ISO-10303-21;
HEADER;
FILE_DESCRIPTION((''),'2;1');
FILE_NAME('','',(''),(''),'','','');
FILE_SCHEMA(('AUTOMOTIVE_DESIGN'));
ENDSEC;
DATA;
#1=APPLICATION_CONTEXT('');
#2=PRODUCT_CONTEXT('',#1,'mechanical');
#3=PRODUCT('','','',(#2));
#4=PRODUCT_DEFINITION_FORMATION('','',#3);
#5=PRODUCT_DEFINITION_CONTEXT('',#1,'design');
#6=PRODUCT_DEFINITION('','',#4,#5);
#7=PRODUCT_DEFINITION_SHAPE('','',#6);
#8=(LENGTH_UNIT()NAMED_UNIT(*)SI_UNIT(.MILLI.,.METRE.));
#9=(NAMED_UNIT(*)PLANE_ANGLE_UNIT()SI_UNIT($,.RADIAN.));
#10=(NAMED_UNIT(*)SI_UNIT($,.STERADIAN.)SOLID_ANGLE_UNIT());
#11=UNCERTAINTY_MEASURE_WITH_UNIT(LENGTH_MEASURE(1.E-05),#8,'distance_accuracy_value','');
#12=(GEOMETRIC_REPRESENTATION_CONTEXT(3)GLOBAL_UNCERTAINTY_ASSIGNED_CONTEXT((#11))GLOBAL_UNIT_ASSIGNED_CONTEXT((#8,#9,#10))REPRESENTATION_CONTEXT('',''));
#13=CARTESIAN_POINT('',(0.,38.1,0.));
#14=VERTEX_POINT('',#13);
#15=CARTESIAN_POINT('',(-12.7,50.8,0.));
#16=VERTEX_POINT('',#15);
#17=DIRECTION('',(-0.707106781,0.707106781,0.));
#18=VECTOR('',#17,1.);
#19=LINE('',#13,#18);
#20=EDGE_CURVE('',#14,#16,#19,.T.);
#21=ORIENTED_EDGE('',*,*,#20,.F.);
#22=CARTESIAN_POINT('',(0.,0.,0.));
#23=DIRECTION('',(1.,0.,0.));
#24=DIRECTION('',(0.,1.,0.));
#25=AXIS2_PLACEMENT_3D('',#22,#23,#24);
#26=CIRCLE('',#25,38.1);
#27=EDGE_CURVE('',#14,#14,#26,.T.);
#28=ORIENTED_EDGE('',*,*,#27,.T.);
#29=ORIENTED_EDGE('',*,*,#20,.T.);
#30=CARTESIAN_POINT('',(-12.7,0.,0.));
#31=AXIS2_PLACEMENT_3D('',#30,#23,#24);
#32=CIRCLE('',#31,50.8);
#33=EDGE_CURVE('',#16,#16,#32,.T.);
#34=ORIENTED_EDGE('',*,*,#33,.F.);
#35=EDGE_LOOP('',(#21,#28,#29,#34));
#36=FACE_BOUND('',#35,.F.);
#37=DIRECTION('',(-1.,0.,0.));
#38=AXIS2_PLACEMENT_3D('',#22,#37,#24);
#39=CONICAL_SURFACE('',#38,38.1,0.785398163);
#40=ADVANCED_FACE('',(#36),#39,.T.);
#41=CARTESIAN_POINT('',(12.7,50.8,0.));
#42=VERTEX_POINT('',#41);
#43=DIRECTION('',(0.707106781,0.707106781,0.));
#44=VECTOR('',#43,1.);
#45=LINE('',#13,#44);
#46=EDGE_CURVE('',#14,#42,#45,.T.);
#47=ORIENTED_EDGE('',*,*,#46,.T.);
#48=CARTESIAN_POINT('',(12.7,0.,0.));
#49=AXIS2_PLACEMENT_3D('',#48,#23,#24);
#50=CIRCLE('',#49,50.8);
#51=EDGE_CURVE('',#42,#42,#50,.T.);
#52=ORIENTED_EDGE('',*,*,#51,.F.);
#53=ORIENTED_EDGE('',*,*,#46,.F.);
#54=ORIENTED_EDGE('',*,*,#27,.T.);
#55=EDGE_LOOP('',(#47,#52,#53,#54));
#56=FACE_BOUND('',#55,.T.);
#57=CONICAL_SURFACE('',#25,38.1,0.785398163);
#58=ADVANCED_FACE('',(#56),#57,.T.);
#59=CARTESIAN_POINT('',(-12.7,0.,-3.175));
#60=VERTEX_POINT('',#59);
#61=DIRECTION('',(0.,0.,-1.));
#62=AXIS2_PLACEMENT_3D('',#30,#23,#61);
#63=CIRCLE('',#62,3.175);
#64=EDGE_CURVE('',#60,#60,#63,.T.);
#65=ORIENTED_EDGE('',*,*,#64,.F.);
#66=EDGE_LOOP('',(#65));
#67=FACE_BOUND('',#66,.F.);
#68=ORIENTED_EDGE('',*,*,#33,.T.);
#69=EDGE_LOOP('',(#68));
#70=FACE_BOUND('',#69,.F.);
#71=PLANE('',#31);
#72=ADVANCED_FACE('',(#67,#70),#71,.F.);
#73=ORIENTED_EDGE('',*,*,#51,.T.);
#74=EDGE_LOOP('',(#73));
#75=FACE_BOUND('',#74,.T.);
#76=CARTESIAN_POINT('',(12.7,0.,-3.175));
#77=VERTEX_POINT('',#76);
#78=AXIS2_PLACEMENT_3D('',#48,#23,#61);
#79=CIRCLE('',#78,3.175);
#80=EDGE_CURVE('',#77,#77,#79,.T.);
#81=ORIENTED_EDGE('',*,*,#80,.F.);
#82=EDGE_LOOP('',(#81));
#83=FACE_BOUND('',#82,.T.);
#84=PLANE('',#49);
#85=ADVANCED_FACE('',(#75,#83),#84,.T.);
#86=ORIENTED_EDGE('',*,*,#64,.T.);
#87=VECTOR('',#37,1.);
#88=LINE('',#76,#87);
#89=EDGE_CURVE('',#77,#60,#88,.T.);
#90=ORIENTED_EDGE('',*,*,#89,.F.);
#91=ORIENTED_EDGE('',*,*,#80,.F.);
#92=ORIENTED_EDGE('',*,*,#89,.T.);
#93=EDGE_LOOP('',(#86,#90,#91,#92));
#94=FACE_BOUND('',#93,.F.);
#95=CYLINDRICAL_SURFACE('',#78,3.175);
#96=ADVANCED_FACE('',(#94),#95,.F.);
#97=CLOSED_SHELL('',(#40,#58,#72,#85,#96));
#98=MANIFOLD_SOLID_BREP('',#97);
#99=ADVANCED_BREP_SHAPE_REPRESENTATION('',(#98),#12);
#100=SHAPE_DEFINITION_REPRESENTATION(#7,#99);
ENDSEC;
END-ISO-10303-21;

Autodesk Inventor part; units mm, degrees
ref_plane "YZ Plane" through (0, 0, 0) normal (1, 0, 0) x (0, 1, 0)
ref_plane "XZ Plane" through (0, 0, 0) normal (0, 1, 0) x (-1, 0, 0)
ref_plane "XY Plane" through (0, 0, 0) normal (0, 0, 1) x (1, 0, 0)
sketch "Sketch2" plane through (0, 0, 0) normal (0, 0, 1) x (1, 0, 0)
  line L0 (0, 38.1) -> (-12.7, 50.8)
  line L1 (-12.7, 50.8) -> (-12.7, 0)
  line L2 (-12.7, 0) -> (0, 0)
  line L3 (0, 76.2) -> (0, 0) construction
  line L4 (0, 38.1) -> (12.7, 50.8)
  line L5 (12.7, 50.8) -> (12.7, 0)
  line L6 (12.7, 0) -> (0, 0)
  line L7 (-17.78, 0) -> (17.78, 0) projected
  point P0 (0.5244, 62.9756)
  point P1 (-0.5244, 62.9756)
  dimension "d0" = 45
  dimension "d1" = 50.8
  dimension "d2" = 12.7
revolve "Revolution1" add sketch "Sketch2" angle 360 about axis through (-10, 0, 0) along (1, 0, 0)
sketch "Sketch3" plane through (12.7, 0, 0) normal (1, 0, 0) x (0, 0, -1)
  circle A0 centre (0, 0) radius 3.175
  dimension "d4" = 6.35
extrude "Extrusion1" cut sketch "Sketch3" against normal through all
equation "\"d1\" = pullyRadius"
equation "\"d2\" = 0.5 * pullyWidth"
equation "\"d4\" = boltHoleDiam"
equation "\"pullyDiam\" = 101.6"
equation "\"pullyRadius\" = 0.5 * pullyDiam"
equation "\"pullyWidth\" = 25.4"
equation "\"boltHoleDiam\" = 6.35"
properties part number "cArmPully"
